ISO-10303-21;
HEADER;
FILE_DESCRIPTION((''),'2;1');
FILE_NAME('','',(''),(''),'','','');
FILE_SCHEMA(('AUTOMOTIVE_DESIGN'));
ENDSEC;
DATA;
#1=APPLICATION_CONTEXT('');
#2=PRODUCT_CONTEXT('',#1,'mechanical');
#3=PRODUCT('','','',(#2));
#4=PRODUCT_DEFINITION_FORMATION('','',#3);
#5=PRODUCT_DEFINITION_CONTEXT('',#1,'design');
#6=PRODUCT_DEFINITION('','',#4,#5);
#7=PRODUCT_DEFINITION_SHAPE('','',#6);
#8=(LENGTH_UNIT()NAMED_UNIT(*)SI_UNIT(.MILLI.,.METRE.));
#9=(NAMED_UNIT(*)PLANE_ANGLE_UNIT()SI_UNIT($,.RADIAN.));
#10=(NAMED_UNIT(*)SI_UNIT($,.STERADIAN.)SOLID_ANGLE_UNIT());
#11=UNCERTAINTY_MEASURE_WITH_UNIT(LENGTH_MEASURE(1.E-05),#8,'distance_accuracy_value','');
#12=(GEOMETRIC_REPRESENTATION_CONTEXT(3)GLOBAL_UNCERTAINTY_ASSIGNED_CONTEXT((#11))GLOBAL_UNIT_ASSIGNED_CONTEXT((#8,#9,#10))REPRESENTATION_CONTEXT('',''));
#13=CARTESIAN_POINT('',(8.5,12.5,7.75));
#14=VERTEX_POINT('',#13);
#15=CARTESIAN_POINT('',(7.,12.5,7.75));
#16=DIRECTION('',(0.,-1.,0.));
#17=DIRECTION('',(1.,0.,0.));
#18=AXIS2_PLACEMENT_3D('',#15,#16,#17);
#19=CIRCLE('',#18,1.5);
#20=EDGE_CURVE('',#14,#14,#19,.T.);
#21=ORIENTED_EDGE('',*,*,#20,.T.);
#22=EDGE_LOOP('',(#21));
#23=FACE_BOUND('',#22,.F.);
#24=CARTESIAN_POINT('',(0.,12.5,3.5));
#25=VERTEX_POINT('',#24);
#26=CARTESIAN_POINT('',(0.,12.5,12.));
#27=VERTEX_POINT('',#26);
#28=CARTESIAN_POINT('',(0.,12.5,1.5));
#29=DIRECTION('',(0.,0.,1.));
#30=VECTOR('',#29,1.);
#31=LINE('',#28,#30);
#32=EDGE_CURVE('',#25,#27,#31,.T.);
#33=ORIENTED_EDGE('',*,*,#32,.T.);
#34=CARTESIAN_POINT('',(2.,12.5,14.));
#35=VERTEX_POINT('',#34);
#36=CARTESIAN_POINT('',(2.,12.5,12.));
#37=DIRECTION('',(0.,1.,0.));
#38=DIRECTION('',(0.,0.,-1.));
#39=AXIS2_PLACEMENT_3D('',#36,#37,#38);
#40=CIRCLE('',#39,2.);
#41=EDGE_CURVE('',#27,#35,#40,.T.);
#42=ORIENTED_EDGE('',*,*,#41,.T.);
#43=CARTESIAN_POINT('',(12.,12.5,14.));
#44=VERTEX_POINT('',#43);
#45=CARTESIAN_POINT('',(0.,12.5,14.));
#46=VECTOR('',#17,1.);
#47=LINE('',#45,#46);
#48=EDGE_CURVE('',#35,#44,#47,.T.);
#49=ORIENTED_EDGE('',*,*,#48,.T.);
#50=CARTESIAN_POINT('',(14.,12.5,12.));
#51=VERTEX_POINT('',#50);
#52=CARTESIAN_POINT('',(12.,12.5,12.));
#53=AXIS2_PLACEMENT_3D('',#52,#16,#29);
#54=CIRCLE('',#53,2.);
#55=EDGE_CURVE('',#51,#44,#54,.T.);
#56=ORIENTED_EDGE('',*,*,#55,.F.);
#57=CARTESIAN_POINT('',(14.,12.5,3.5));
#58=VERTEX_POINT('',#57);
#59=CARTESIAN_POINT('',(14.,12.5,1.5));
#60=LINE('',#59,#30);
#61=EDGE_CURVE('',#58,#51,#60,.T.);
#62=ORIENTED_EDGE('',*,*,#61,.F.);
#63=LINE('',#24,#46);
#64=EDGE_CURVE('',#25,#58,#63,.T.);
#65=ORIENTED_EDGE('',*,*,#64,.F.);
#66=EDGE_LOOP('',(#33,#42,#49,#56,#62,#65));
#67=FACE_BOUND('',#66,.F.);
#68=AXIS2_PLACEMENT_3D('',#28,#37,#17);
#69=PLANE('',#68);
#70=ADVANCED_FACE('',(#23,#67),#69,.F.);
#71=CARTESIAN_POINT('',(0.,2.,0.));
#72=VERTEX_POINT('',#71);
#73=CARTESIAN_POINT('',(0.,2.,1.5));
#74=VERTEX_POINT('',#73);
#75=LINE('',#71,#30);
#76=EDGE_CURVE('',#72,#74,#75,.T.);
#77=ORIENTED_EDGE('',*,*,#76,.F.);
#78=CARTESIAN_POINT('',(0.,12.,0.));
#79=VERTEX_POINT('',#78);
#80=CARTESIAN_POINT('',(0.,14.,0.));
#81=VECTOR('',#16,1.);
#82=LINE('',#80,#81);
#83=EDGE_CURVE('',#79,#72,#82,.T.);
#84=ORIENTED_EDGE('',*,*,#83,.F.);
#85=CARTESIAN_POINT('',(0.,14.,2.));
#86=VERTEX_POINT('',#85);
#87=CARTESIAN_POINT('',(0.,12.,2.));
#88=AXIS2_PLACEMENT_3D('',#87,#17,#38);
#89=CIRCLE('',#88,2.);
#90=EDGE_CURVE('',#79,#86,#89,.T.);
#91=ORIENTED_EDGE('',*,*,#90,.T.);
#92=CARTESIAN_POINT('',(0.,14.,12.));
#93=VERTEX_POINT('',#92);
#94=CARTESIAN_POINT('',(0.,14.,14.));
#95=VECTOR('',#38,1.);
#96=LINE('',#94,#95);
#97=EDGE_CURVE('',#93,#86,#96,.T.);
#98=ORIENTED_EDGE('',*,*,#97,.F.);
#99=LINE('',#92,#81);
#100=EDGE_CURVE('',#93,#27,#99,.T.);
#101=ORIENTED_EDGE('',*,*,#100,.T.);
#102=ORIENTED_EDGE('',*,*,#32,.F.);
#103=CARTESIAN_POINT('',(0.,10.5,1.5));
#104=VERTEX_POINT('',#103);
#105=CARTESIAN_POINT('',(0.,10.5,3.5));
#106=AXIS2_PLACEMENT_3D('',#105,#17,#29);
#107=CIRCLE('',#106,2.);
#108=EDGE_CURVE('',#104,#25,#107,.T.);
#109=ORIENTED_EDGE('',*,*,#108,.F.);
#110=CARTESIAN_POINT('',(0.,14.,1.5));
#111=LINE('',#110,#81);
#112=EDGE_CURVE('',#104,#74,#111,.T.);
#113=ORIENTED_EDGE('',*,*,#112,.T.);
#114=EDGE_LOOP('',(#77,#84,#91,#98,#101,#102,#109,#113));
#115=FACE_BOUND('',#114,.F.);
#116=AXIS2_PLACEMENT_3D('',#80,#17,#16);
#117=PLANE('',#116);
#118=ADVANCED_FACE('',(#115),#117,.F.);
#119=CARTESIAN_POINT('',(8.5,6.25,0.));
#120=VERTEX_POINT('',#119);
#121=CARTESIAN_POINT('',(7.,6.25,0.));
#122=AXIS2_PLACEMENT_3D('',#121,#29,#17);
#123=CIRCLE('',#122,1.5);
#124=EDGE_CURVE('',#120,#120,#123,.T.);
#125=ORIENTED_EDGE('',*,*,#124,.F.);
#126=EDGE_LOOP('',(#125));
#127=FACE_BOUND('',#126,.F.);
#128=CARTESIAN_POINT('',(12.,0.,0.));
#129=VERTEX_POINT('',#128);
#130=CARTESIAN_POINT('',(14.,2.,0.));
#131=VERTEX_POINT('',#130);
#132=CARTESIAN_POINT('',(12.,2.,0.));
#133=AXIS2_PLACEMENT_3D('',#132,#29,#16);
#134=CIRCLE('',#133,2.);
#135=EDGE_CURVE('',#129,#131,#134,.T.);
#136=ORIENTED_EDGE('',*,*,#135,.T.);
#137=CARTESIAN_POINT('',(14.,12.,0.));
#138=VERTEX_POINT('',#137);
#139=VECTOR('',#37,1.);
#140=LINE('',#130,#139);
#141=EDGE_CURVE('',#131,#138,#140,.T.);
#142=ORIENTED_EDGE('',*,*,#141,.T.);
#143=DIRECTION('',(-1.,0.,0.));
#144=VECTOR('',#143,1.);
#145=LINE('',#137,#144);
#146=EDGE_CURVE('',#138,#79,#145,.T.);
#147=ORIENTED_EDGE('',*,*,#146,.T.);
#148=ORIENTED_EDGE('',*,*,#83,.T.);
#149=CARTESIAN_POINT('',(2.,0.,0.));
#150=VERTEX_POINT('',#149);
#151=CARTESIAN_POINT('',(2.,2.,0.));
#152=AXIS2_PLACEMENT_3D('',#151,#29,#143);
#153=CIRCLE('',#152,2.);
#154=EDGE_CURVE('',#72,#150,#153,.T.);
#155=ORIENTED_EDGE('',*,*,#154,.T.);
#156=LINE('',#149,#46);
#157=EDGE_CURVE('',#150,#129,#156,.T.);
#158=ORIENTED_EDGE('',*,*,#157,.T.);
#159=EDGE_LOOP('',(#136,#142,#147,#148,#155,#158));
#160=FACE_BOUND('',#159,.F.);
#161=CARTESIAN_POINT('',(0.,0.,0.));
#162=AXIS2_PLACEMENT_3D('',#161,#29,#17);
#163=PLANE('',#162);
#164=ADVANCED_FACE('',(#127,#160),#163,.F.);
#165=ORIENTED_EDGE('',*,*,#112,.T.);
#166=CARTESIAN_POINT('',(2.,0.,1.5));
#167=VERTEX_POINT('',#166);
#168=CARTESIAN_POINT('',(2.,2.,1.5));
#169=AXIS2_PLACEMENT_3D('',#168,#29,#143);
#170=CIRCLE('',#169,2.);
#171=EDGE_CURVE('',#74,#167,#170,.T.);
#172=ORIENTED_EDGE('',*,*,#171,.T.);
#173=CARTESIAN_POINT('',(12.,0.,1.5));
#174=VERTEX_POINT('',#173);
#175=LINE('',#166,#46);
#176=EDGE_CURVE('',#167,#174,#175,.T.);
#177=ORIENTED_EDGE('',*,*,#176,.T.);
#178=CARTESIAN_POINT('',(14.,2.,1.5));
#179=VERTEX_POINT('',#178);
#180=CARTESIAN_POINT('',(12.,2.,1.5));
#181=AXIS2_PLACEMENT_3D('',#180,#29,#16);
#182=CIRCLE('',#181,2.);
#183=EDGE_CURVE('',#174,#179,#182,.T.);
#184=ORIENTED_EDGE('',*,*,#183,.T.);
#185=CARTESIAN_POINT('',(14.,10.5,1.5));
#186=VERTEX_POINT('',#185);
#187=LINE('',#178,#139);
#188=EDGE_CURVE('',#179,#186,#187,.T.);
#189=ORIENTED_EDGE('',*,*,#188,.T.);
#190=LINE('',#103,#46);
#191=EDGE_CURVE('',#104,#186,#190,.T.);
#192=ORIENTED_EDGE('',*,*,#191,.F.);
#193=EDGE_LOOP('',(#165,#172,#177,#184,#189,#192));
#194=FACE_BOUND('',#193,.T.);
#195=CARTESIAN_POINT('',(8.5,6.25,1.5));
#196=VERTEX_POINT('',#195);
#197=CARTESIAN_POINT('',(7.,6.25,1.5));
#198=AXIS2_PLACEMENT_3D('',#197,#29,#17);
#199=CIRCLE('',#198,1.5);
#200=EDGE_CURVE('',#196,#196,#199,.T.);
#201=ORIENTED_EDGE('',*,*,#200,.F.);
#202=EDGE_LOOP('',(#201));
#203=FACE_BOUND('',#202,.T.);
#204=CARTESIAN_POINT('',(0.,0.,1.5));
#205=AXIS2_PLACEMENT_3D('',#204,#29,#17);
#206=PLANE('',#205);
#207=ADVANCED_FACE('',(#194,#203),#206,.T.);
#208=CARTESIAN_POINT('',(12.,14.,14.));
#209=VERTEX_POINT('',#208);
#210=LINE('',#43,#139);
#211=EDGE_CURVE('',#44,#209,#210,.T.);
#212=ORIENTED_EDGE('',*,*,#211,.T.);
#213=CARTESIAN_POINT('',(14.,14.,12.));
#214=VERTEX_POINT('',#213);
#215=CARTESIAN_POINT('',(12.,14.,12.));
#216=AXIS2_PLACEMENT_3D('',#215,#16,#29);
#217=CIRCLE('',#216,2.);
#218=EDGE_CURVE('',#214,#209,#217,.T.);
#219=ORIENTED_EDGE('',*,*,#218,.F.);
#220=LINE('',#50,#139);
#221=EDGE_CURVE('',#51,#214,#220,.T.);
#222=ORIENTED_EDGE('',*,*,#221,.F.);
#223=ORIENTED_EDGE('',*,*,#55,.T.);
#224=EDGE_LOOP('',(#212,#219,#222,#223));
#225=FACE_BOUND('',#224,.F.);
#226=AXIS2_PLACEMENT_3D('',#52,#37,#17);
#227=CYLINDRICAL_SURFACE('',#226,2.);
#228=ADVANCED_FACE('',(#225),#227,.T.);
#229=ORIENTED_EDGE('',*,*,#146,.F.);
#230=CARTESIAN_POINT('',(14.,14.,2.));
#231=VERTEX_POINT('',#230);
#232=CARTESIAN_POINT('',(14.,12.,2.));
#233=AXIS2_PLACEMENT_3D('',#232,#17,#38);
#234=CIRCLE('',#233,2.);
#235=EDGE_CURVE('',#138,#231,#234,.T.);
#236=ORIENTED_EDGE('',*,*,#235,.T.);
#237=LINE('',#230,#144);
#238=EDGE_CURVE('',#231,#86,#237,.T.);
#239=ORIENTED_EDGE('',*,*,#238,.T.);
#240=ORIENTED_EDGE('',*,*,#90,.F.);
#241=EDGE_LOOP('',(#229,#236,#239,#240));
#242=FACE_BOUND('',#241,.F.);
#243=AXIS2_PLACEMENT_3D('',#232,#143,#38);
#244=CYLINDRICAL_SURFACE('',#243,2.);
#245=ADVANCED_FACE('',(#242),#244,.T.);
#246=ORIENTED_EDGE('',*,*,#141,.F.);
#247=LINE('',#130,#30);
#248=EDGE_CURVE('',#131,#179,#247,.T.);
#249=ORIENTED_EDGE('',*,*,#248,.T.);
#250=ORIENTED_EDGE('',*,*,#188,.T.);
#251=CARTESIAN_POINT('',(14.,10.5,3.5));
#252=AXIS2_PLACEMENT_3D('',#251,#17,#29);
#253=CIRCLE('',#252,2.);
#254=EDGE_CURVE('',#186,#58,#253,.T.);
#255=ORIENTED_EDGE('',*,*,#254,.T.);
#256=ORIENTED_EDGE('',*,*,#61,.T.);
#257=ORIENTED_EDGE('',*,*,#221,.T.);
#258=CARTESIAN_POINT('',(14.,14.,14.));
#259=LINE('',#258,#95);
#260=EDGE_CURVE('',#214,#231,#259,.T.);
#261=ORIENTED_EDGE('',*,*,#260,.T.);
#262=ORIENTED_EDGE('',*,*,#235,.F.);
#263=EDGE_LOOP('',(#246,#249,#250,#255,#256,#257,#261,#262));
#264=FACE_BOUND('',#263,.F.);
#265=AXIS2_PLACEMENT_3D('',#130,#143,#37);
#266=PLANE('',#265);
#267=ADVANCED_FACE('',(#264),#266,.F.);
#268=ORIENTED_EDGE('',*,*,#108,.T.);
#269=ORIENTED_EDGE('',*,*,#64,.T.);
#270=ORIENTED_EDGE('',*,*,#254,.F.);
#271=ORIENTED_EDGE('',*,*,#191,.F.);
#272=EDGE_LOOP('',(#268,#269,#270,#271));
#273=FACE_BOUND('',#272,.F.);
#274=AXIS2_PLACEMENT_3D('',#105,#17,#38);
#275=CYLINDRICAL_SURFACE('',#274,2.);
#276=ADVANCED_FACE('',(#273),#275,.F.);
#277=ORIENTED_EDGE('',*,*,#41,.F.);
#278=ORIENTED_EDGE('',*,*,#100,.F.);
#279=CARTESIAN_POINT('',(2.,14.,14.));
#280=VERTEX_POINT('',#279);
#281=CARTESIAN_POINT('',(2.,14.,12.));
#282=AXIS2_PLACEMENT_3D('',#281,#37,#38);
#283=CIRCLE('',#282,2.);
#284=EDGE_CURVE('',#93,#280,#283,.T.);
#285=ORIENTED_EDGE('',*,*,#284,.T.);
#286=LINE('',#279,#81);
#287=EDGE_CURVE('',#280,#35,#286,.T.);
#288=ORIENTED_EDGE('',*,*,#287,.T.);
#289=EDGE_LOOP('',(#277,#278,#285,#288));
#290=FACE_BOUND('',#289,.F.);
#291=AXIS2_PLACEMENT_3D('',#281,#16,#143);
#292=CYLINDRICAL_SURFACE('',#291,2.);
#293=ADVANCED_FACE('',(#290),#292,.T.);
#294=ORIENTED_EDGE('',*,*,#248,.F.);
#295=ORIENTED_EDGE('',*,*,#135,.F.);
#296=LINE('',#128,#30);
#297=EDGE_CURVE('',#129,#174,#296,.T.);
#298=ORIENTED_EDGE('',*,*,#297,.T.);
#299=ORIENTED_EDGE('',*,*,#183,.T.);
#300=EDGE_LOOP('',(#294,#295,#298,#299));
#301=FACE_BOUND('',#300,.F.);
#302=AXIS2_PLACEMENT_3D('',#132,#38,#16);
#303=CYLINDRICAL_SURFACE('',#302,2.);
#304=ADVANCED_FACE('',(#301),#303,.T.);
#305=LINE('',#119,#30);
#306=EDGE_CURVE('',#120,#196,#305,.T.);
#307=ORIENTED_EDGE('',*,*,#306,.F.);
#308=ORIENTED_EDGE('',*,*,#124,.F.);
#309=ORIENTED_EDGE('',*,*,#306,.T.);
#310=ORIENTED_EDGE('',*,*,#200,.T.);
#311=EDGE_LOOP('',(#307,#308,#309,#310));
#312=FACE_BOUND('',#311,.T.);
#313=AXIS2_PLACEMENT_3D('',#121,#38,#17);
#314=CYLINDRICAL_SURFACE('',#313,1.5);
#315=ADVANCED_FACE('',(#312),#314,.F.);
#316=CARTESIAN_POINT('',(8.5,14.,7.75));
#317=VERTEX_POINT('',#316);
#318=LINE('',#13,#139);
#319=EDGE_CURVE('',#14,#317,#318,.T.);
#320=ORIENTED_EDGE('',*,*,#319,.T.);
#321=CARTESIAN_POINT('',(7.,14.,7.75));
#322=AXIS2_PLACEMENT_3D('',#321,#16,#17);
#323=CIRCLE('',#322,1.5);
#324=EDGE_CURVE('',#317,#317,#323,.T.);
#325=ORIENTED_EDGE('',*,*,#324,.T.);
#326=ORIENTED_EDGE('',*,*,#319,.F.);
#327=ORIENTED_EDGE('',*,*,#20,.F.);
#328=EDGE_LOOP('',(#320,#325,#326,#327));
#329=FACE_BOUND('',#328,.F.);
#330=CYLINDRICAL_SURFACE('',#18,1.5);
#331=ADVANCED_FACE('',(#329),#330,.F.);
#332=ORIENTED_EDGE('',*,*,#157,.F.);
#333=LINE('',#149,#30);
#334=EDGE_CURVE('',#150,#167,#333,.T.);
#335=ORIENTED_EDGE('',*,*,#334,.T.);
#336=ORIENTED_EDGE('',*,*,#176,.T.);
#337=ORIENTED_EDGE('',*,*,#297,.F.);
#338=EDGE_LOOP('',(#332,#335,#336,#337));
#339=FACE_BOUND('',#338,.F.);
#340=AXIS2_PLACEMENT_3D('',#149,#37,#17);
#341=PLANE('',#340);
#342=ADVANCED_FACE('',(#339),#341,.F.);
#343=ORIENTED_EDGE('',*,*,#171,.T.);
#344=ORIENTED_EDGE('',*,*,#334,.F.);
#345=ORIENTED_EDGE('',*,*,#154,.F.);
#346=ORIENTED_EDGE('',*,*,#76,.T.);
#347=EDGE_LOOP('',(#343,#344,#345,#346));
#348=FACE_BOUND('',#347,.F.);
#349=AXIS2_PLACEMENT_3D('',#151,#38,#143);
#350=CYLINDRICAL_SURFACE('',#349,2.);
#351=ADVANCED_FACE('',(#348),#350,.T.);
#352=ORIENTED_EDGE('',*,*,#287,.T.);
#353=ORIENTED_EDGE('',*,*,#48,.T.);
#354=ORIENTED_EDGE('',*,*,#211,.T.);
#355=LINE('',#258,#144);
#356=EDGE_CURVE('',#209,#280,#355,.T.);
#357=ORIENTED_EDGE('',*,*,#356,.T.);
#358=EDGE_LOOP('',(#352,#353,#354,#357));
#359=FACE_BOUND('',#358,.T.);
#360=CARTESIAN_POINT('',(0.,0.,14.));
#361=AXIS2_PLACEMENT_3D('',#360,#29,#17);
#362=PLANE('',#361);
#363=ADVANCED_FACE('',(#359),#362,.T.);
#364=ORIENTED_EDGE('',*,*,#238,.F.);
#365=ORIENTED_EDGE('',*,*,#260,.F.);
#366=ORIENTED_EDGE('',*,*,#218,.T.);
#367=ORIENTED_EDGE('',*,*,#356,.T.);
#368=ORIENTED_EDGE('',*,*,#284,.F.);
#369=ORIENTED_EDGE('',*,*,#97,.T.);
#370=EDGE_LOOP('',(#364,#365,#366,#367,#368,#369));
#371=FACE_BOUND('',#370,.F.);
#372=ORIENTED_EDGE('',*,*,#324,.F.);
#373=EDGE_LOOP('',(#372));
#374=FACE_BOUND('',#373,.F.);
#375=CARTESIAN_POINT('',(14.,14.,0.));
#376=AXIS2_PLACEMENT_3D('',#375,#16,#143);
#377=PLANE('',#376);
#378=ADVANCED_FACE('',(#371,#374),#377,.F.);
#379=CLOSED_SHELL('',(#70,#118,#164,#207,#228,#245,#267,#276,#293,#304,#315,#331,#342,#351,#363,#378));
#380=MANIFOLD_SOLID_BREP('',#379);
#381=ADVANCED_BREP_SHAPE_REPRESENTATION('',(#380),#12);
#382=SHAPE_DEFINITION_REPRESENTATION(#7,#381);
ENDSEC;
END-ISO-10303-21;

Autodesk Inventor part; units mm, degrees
ref_plane "YZ Plane" through (0, 0, 0) normal (1, 0, 0) x (0, 1, 0)
ref_plane "XZ Plane" through (0, 0, 0) normal (0, 1, 0) x (-1, 0, 0)
ref_plane "XY Plane" through (0, 0, 0) normal (0, 0, 1) x (1, 0, 0)
sketch "Эскиз1" plane through (0, 0, 0) normal (0, 0, 1) x (1, 0, 0)
  line L0 (2, 0) -> (12, 0)
  line L1 (14, 2) -> (14, 14)
  line L2 (14, 14) -> (0, 14)
  line L3 (0, 14) -> (0, 2)
  circle A0 centre (7, 6.25) radius 1.5
  arc A1 (0, 2) -> (2, 0) centre (2, 2) ccw
  arc A2 (12, 0) -> (14, 2) centre (12, 2) ccw
  point P0 (0, 0)
  point P1 (14, 0)
  dimension "d0" = 14
  dimension "d1" = 14
  dimension "d2" = 3
  dimension "d5" = 2
  dimension "d14" = 7.75
extrude "Выдавливание1" add sketch "Эскиз1" along normal blind 1.5
sketch "Эскиз2" plane through (0, 0, 1.5) normal (0, 0, 1) x (1, 0, 0)
  line L0 (14, 2) -> (14, 14) projected
  line L1 (14, 14) -> (0, 14)
  line L2 (0, 14) -> (0, 12.5)
  line L3 (0, 12.5) -> (14, 12.5)
  line L4 (14, 12.5) -> (14, 14)
  point P0 (0, 0)
  dimension "d6" = 14
  dimension "d7" = 1.5
extrude "Выдавливание2" add sketch "Эскиз2" along normal blind 12.5
fillet "Сопряжение1" radius 2 4 edges at (0, 13.25, 14) (14, 13.25, 14) (7, 12.5, 1.5) (7, 14, 0)
sketch "Эскиз3" plane through (0, 12.5, 3.5) normal (0, -1, 0) x (1, 0, 0)
  line L0 (2, 10.5) -> (12, 10.5) projected
  line L1 (7, 10.5) -> (7, 9.5925)
  line L2 (0, 0) -> (0, 8.5) projected
  line L3 (0, 4.25) -> (2.1841, 4.25)
  circle A0 centre (7, 4.25) radius 1.5
  point P0 (0, -3.5)
  dimension "d11" = 3
extrude "Выдавливание3" cut sketch "Эскиз3" against normal blind 12.5
properties part number "угол 25-26"
